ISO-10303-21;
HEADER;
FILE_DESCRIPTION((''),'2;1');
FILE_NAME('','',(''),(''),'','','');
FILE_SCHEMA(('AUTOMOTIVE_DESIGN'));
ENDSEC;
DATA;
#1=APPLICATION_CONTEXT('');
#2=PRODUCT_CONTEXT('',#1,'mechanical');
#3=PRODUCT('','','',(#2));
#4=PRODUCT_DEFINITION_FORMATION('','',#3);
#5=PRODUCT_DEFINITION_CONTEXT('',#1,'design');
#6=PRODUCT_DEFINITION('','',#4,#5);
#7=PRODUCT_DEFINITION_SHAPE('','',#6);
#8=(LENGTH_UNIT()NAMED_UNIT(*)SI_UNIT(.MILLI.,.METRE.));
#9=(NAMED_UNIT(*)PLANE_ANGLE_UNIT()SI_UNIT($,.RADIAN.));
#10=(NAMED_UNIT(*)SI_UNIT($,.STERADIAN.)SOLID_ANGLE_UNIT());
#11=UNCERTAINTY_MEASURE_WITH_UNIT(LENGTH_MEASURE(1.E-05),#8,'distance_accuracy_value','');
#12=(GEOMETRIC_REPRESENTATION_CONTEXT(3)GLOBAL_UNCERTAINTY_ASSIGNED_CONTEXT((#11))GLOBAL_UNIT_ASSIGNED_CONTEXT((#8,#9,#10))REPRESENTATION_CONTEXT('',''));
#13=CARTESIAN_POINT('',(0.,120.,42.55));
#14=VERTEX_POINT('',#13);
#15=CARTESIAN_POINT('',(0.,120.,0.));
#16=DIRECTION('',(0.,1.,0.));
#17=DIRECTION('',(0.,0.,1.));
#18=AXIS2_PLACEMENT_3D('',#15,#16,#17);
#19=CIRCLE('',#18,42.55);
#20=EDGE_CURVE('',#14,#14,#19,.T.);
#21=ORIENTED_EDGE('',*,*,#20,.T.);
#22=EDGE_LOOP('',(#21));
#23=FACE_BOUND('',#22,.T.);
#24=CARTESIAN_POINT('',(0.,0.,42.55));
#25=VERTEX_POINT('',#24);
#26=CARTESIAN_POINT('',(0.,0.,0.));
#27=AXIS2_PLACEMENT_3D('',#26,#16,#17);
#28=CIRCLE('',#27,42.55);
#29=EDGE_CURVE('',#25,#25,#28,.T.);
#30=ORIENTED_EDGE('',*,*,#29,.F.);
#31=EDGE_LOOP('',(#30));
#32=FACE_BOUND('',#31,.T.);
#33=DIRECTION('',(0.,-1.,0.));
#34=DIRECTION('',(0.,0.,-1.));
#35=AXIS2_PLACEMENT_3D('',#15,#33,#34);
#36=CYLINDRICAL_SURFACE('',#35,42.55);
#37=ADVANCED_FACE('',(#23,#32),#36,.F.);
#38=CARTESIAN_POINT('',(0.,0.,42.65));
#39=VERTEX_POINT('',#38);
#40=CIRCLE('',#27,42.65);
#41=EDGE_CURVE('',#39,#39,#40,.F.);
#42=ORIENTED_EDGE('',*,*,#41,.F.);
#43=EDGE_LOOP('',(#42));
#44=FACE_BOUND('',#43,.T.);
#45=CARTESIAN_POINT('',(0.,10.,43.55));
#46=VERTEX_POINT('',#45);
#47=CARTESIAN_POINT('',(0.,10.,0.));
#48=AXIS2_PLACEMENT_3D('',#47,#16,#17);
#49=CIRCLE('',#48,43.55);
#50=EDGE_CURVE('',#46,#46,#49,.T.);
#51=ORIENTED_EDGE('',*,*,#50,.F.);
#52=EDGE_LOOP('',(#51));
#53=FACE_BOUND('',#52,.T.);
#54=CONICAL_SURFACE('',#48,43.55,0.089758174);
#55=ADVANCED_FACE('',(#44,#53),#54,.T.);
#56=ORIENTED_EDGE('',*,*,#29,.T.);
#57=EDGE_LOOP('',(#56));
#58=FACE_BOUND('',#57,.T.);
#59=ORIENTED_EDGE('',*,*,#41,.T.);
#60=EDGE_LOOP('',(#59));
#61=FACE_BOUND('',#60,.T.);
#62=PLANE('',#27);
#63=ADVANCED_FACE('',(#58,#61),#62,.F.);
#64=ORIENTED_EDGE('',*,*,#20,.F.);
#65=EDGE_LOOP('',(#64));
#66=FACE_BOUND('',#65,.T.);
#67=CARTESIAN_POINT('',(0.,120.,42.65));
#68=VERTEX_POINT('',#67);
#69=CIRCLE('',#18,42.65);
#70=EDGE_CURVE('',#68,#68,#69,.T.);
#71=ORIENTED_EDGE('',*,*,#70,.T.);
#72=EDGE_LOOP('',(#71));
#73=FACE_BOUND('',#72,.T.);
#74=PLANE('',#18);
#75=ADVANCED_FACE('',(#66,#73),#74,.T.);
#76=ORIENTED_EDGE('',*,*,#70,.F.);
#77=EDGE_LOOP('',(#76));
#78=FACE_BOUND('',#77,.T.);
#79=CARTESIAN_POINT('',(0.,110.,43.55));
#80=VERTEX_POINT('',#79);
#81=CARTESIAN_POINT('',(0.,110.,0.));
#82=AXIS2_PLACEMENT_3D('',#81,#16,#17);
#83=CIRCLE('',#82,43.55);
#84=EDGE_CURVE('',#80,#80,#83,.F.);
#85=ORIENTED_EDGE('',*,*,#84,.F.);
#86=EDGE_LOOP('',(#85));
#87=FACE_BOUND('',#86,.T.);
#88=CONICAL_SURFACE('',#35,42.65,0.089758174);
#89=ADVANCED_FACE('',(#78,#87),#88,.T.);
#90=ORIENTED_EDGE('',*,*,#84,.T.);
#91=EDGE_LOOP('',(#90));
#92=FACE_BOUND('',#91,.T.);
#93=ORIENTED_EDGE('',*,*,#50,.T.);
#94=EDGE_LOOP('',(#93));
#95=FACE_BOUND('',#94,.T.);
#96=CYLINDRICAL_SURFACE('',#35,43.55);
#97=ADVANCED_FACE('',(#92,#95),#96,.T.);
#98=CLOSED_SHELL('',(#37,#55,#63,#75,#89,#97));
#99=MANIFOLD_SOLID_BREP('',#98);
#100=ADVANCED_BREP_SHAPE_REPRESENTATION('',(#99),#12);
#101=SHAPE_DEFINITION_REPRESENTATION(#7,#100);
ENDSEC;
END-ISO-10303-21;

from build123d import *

# Parameters (mm, degrees)
SKETCH1_R           = 43.55
SKETCH1_R_2         = 42.55
BOSS_EXTRUDE1_DEPTH = 120
CHAMFER1_SIZE       = 10
CHAMFER1_SIZE2      = 0.9
CHAMFER2_SIZE       = 0.9
CHAMFER2_SIZE2      = 10


with BuildPart() as part:
    # Sketch1 → Boss-Extrude1 (new body)
    with BuildSketch(Plane(origin=(0, 0, 0), x_dir=(1, 0, 0), z_dir=(0, 1, 0))):
        Circle(SKETCH1_R)
        Circle(SKETCH1_R_2, mode=Mode.SUBTRACT)
    extrude(amount=BOSS_EXTRUDE1_DEPTH)

    # Chamfer1
    chamfer1_edges = [part.edges().sort_by_distance(p)[0] for p in [
        (-43.55, 120, 0),
    ]]
    chamfer1_side = [part.faces().sort_by_distance(p)[0] for p in [
        (-43.55, 60, 0),
    ]]
    chamfer(chamfer1_edges, length=CHAMFER1_SIZE, length2=CHAMFER1_SIZE2, reference=chamfer1_side[0])

    # Chamfer2
    chamfer2_edges = [part.edges().sort_by_distance(p)[0] for p in [
        (-43.55, 0, 0),
    ]]
    chamfer2_side = [part.faces().sort_by_distance(p)[0] for p in [
        (-43.426821999, 0, 0),
    ]]
    chamfer(chamfer2_edges, length=CHAMFER2_SIZE, length2=CHAMFER2_SIZE2, reference=chamfer2_side[0])


solid = part.part
